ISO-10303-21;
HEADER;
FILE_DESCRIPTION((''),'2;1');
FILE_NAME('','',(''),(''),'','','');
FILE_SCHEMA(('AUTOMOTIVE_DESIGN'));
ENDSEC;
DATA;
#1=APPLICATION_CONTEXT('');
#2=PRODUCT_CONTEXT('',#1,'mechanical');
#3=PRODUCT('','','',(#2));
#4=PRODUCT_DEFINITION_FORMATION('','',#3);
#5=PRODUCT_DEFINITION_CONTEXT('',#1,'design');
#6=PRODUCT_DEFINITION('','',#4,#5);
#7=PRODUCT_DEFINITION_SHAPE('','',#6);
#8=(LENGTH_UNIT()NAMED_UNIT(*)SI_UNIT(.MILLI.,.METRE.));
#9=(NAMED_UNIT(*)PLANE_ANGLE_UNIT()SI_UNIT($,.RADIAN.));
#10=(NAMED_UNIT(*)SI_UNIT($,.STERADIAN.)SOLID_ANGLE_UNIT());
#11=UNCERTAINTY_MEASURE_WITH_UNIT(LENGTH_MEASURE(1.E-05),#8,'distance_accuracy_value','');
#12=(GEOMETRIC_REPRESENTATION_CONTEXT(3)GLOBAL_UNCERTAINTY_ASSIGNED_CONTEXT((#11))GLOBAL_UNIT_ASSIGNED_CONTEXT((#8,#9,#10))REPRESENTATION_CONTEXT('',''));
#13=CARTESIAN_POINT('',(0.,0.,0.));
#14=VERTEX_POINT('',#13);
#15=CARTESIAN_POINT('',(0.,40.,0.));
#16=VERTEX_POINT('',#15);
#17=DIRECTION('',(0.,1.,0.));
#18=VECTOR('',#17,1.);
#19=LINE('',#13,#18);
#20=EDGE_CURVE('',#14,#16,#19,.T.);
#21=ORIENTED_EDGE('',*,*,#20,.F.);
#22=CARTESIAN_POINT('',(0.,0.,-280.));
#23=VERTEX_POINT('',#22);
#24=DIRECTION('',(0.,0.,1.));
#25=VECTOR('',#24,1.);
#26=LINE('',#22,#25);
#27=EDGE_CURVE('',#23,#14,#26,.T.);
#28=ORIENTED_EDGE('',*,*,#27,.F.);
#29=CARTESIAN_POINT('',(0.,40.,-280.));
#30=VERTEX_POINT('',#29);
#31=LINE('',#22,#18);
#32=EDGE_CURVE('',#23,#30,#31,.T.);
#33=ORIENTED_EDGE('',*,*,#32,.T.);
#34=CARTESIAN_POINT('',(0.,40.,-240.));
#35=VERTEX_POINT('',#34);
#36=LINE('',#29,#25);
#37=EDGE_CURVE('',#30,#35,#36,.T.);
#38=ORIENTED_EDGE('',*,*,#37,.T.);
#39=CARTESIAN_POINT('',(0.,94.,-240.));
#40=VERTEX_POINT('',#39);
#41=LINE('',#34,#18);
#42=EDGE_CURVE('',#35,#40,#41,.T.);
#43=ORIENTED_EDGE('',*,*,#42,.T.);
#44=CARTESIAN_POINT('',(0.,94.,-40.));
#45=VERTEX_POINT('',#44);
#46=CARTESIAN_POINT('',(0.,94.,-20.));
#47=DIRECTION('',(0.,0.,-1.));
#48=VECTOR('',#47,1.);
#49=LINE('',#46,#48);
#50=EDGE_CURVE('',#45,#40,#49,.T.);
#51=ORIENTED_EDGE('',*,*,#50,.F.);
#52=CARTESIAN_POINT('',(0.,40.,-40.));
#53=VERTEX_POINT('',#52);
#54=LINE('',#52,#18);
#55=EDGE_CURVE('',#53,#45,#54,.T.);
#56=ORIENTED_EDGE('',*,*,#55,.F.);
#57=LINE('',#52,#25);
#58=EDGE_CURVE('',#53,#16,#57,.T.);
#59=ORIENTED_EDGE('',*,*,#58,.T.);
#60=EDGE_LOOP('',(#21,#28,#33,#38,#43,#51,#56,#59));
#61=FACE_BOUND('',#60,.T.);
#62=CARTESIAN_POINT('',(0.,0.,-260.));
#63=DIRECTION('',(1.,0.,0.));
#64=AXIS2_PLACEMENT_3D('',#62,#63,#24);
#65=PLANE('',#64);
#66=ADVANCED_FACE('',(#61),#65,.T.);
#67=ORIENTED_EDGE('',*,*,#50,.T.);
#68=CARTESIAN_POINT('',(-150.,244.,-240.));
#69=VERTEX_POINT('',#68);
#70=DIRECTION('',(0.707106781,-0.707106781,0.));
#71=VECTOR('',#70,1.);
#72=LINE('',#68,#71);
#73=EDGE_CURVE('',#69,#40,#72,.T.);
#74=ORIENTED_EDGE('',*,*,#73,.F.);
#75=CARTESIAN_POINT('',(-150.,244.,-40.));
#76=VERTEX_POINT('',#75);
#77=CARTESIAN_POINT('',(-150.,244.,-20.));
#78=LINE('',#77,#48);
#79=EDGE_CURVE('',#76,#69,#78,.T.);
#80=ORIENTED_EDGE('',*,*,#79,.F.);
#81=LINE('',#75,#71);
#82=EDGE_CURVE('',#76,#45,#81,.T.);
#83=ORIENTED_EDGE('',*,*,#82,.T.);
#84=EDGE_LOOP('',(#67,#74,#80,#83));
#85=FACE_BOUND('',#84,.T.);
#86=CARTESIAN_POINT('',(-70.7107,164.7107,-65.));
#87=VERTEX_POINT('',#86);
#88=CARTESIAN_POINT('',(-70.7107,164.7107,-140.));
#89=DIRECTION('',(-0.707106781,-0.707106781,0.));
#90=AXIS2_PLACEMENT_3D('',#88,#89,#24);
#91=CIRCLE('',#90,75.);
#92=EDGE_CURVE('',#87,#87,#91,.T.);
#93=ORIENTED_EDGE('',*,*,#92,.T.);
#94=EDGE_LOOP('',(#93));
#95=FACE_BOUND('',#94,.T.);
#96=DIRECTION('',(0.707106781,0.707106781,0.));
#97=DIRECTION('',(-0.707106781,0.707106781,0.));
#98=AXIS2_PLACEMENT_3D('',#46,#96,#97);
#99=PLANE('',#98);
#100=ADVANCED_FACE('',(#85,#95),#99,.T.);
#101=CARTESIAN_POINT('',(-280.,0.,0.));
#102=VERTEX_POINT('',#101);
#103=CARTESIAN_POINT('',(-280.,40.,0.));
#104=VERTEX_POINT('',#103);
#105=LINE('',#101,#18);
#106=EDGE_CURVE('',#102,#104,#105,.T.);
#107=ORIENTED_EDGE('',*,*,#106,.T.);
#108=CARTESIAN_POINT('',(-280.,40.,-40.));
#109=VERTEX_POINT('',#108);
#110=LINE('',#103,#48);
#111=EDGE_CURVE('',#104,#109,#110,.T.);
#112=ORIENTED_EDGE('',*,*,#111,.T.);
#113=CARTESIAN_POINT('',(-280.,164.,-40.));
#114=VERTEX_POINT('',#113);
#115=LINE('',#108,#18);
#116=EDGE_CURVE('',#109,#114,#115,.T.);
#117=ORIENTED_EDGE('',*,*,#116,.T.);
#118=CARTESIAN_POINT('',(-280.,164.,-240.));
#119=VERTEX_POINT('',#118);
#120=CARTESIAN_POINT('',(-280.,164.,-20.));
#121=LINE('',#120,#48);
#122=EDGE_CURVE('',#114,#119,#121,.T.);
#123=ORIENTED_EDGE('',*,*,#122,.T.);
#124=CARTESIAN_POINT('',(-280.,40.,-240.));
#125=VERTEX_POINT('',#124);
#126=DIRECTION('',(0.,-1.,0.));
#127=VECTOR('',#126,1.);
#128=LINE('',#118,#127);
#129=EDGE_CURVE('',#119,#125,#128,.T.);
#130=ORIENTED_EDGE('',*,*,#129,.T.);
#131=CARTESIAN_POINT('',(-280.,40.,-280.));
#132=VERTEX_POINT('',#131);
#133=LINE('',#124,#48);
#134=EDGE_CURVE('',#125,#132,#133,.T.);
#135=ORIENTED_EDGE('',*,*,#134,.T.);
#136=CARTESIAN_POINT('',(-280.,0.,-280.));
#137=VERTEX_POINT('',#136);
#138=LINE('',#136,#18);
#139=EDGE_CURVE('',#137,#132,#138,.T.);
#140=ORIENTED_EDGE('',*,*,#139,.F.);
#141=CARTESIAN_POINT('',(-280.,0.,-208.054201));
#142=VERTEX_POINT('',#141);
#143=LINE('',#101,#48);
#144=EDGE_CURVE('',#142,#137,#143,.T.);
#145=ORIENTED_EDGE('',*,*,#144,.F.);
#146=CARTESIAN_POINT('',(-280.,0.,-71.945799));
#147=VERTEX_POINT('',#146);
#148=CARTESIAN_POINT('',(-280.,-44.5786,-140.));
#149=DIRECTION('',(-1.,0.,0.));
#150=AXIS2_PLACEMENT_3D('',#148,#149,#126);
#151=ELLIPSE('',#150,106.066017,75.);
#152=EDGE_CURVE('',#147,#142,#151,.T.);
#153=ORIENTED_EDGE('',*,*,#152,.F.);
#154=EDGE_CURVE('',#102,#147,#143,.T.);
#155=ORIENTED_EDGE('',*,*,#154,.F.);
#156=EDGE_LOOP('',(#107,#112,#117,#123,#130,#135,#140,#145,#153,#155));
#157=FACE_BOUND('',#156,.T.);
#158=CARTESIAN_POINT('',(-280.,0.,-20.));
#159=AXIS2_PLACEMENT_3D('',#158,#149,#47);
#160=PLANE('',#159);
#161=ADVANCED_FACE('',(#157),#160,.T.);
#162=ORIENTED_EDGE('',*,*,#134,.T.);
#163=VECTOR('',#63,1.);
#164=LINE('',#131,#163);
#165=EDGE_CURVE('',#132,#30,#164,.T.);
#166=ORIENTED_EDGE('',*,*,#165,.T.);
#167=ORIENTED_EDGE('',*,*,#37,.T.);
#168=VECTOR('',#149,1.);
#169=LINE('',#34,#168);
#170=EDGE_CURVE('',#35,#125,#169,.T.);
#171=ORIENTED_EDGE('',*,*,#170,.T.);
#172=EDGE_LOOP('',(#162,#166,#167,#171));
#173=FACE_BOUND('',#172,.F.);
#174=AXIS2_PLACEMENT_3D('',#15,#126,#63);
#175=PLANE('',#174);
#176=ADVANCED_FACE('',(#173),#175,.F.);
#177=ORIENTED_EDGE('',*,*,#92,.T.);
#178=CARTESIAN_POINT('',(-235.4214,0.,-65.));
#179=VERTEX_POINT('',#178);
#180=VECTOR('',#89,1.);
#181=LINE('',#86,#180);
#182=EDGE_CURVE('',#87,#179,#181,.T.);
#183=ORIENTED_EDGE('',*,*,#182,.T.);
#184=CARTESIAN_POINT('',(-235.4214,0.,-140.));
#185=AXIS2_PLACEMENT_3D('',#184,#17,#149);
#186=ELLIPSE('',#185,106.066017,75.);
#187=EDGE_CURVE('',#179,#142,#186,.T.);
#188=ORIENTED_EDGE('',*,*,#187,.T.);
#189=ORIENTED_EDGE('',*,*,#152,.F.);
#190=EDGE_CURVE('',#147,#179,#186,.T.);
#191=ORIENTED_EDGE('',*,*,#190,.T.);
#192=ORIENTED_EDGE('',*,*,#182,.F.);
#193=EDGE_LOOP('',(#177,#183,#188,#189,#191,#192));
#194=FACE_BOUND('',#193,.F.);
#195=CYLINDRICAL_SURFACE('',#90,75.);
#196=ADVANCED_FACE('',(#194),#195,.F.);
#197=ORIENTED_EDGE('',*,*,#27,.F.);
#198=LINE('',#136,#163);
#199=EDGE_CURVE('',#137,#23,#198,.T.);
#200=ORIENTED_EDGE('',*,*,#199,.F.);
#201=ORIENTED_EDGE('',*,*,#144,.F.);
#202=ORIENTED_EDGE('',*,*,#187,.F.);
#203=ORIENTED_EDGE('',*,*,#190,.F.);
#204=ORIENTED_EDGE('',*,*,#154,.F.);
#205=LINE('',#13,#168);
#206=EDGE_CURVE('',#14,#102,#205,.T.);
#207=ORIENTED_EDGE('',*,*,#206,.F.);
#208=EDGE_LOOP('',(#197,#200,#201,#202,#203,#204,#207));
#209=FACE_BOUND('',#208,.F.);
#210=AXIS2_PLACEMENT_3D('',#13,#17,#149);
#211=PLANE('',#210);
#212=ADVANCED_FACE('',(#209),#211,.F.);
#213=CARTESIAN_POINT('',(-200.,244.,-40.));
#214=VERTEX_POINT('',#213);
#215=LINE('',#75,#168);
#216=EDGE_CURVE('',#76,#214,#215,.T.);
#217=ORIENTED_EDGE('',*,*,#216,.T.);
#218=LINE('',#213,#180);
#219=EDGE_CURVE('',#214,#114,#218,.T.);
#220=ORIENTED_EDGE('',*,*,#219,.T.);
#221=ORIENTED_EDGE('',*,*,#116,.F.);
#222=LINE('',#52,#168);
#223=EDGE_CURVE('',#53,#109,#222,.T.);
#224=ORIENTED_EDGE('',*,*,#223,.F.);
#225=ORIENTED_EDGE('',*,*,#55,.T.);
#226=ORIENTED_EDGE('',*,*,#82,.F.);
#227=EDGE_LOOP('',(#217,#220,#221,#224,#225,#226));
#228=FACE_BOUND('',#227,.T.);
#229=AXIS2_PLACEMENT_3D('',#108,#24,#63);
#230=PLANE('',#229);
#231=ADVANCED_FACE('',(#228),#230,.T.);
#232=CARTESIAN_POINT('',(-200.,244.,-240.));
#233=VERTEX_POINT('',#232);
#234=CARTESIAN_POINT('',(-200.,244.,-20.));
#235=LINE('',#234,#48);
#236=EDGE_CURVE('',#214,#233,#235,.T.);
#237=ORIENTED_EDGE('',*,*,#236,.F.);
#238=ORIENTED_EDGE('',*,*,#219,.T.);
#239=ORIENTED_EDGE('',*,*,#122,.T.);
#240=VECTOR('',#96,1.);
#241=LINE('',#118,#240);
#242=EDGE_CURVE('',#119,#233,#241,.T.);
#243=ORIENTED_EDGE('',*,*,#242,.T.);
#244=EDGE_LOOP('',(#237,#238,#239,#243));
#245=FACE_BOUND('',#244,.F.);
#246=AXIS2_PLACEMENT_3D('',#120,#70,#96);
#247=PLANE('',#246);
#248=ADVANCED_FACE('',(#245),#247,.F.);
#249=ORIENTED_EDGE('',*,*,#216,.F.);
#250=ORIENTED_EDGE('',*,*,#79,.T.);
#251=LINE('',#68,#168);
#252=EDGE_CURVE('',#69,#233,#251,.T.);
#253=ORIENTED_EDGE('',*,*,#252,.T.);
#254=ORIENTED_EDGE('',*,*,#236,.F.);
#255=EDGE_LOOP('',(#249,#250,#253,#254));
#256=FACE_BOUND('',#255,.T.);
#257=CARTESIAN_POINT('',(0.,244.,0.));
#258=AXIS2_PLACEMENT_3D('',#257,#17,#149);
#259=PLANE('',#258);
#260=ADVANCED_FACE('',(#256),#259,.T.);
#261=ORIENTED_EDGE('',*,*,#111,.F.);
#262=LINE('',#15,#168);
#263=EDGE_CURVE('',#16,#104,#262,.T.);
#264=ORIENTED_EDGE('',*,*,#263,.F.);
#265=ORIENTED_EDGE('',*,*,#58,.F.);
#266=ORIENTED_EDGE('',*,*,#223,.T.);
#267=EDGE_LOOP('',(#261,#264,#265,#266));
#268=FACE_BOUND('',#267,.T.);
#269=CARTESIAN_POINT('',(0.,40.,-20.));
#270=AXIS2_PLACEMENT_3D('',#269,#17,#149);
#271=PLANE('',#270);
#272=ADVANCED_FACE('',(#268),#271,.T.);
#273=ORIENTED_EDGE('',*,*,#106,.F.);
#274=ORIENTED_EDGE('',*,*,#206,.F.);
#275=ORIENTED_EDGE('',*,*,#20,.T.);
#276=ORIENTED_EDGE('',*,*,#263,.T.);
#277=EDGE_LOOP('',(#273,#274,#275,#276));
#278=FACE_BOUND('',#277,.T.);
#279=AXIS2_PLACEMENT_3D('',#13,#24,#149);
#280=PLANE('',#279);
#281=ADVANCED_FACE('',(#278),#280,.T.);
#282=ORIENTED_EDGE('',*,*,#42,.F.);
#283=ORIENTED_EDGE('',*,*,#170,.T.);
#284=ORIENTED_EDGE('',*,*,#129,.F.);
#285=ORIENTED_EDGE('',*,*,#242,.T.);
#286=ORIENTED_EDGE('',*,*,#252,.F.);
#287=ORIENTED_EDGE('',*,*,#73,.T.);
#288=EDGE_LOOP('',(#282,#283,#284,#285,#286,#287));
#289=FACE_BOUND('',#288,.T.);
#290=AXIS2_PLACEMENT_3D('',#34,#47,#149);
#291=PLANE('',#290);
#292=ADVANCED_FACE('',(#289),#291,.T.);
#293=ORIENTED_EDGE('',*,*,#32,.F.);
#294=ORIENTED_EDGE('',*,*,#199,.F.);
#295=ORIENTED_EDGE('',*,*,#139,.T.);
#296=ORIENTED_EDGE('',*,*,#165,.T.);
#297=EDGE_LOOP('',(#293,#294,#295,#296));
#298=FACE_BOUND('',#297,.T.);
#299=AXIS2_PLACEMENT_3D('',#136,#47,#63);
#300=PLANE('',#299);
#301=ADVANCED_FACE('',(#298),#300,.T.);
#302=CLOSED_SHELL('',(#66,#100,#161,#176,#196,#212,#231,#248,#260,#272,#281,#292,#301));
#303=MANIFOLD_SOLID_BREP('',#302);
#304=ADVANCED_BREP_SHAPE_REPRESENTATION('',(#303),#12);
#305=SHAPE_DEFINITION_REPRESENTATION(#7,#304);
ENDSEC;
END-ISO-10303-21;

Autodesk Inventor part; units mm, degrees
ref_plane "YZ Plane" through (0, 0, 0) normal (1, 0, 0) x (0, 1, 0)
ref_plane "XZ Plane" through (0, 0, 0) normal (0, 1, 0) x (-1, 0, 0)
ref_plane "XY Plane" through (0, 0, 0) normal (0, 0, 1) x (1, 0, 0)
sketch "Sketch1" plane through (0, 0, 0) normal (0, 1, 0) x (-1, 0, 0)
  line L0 (0, 0) -> (280, 0)
  line L1 (280, 0) -> (280, -280)
  line L2 (280, -280) -> (0, -280)
  line L3 (0, -280) -> (0, 0)
  line L4 (0, 0) -> (0, -20)
  line L5 (0, -20) -> (280, -20)
  line L6 (280, -20) -> (280, -260)
  line L7 (280, -260) -> (0, -260)
  line L8 (0, -260) -> (0, -20)
  dimension "d0" = 280
  dimension "d1" = 280
  dimension "d2" = 20
  dimension "d3" = 240
extrude "Extrusion1" add sketch "Sketch1" along normal blind 244 contours L5 L1 L7 L3
sketch "Sketch2" plane through (0, 0, 0) normal (0, -1, 0) x (1, 0, 0)
  line L0 (0, 0) -> (-280, 0)
  line L1 (-280, 0) -> (-280, -280)
  line L2 (-280, -280) -> (0, -280)
  line L3 (0, -280) -> (0, 0)
  dimension "d6" = 280
  dimension "d7" = 280
extrude "Extrusion2" add sketch "Sketch2" against normal blind 40
sketch "Sketch3" plane through (-280, 244, -20) normal (0, 0, 1) x (1, 0, 0)
  line L0 (0, -244) -> (280, -244) projected
  line L1 (0, -244) -> (0, -80)
  line L2 (0, -204) -> (0, 0) projected
  line L3 (0, 0) -> (80, 0)
  line L4 (0, 0) -> (280, 0) projected
  line L5 (80, 0) -> (130, 0)
  line L6 (280, -244) -> (280, -150)
  line L7 (280, -244) -> (280, -204) projected
  line L8 (280, -150) -> (130, 0)
  line L9 (0, -80) -> (80, 0)
  line L10 (0, 0) -> (0, -80)
  line L11 (280, 0) -> (280, -150)
  line L12 (280, 0) -> (130, 0)
  dimension "d10" = 164
  dimension "d11" = 80
  dimension "d12" = 50
  dimension "d13" = 94
extrude "Extrusion3" cut sketch "Sketch3" against normal through all contours L2 L3 L9 | L8 L4 L11
sketch "Sketch4" plane through (-150, 244, -260) normal (0.7071, 0.7071, 0) x (-0.7071, 0.7071, 0)
  line L0 (-212.132, 0) -> (-212.132, 240) projected
  line L1 (-212.132, 240) -> (0, 240) projected
  point P0 (-278.6001, 260)
  point P1 (-112.132, 120)
  dimension "d16" = 100
  dimension "d17" = 120
hole "Hole1" at (-70.7107, 164.7107, -140) direction (-0.7071, -0.7071, 0) diameter 150 end through all
sketch "Sketch5" plane through (-280, 40, -20) normal (0, 0, 1) x (1, 0, 0)
  line L0 (280, 0) -> (0, 0) projected
  line L1 (0, 0) -> (280, 0)
  line L2 (130, 204) -> (280, 54) projected
  line L3 (280, 0) -> (280, 54)
  line L4 (280, 54) -> (130, 204)
  line L5 (130, 204) -> (80, 204) projected
  line L6 (130, 204) -> (80, 204)
  line L7 (0, 0) -> (0, 124) projected
  line L8 (80, 204) -> (0, 124)
  line L9 (0, 124) -> (0, 0)
  point P0 (280, -40)
extrude "Extrusion4" cut sketch "Sketch5" against normal blind 20
sketch "Sketch6" plane through (0, 40, -260) normal (0, 0, -1) x (-1, 0, 0)
  line L0 (0, 0) -> (280, 0) projected
  line L1 (150, 204) -> (0, 54) projected
  line L2 (0, 0) -> (0, 54)
  line L3 (0, 54) -> (150, 204)
  line L4 (280, 124) -> (200, 204) projected
  line L5 (150, 204) -> (200, 204)
  line L6 (200, 204) -> (280, 124)
  line L7 (280, 124) -> (280, 0)
  line L8 (280, 0) -> (0, 0)
  point P0 (0, -40)
extrude "Extrusion5" cut sketch "Sketch6" against normal blind 20
properties part number "MMAE 232 - Assignment 1a-Nicholas Skiba" material "Aluminum 6061"
